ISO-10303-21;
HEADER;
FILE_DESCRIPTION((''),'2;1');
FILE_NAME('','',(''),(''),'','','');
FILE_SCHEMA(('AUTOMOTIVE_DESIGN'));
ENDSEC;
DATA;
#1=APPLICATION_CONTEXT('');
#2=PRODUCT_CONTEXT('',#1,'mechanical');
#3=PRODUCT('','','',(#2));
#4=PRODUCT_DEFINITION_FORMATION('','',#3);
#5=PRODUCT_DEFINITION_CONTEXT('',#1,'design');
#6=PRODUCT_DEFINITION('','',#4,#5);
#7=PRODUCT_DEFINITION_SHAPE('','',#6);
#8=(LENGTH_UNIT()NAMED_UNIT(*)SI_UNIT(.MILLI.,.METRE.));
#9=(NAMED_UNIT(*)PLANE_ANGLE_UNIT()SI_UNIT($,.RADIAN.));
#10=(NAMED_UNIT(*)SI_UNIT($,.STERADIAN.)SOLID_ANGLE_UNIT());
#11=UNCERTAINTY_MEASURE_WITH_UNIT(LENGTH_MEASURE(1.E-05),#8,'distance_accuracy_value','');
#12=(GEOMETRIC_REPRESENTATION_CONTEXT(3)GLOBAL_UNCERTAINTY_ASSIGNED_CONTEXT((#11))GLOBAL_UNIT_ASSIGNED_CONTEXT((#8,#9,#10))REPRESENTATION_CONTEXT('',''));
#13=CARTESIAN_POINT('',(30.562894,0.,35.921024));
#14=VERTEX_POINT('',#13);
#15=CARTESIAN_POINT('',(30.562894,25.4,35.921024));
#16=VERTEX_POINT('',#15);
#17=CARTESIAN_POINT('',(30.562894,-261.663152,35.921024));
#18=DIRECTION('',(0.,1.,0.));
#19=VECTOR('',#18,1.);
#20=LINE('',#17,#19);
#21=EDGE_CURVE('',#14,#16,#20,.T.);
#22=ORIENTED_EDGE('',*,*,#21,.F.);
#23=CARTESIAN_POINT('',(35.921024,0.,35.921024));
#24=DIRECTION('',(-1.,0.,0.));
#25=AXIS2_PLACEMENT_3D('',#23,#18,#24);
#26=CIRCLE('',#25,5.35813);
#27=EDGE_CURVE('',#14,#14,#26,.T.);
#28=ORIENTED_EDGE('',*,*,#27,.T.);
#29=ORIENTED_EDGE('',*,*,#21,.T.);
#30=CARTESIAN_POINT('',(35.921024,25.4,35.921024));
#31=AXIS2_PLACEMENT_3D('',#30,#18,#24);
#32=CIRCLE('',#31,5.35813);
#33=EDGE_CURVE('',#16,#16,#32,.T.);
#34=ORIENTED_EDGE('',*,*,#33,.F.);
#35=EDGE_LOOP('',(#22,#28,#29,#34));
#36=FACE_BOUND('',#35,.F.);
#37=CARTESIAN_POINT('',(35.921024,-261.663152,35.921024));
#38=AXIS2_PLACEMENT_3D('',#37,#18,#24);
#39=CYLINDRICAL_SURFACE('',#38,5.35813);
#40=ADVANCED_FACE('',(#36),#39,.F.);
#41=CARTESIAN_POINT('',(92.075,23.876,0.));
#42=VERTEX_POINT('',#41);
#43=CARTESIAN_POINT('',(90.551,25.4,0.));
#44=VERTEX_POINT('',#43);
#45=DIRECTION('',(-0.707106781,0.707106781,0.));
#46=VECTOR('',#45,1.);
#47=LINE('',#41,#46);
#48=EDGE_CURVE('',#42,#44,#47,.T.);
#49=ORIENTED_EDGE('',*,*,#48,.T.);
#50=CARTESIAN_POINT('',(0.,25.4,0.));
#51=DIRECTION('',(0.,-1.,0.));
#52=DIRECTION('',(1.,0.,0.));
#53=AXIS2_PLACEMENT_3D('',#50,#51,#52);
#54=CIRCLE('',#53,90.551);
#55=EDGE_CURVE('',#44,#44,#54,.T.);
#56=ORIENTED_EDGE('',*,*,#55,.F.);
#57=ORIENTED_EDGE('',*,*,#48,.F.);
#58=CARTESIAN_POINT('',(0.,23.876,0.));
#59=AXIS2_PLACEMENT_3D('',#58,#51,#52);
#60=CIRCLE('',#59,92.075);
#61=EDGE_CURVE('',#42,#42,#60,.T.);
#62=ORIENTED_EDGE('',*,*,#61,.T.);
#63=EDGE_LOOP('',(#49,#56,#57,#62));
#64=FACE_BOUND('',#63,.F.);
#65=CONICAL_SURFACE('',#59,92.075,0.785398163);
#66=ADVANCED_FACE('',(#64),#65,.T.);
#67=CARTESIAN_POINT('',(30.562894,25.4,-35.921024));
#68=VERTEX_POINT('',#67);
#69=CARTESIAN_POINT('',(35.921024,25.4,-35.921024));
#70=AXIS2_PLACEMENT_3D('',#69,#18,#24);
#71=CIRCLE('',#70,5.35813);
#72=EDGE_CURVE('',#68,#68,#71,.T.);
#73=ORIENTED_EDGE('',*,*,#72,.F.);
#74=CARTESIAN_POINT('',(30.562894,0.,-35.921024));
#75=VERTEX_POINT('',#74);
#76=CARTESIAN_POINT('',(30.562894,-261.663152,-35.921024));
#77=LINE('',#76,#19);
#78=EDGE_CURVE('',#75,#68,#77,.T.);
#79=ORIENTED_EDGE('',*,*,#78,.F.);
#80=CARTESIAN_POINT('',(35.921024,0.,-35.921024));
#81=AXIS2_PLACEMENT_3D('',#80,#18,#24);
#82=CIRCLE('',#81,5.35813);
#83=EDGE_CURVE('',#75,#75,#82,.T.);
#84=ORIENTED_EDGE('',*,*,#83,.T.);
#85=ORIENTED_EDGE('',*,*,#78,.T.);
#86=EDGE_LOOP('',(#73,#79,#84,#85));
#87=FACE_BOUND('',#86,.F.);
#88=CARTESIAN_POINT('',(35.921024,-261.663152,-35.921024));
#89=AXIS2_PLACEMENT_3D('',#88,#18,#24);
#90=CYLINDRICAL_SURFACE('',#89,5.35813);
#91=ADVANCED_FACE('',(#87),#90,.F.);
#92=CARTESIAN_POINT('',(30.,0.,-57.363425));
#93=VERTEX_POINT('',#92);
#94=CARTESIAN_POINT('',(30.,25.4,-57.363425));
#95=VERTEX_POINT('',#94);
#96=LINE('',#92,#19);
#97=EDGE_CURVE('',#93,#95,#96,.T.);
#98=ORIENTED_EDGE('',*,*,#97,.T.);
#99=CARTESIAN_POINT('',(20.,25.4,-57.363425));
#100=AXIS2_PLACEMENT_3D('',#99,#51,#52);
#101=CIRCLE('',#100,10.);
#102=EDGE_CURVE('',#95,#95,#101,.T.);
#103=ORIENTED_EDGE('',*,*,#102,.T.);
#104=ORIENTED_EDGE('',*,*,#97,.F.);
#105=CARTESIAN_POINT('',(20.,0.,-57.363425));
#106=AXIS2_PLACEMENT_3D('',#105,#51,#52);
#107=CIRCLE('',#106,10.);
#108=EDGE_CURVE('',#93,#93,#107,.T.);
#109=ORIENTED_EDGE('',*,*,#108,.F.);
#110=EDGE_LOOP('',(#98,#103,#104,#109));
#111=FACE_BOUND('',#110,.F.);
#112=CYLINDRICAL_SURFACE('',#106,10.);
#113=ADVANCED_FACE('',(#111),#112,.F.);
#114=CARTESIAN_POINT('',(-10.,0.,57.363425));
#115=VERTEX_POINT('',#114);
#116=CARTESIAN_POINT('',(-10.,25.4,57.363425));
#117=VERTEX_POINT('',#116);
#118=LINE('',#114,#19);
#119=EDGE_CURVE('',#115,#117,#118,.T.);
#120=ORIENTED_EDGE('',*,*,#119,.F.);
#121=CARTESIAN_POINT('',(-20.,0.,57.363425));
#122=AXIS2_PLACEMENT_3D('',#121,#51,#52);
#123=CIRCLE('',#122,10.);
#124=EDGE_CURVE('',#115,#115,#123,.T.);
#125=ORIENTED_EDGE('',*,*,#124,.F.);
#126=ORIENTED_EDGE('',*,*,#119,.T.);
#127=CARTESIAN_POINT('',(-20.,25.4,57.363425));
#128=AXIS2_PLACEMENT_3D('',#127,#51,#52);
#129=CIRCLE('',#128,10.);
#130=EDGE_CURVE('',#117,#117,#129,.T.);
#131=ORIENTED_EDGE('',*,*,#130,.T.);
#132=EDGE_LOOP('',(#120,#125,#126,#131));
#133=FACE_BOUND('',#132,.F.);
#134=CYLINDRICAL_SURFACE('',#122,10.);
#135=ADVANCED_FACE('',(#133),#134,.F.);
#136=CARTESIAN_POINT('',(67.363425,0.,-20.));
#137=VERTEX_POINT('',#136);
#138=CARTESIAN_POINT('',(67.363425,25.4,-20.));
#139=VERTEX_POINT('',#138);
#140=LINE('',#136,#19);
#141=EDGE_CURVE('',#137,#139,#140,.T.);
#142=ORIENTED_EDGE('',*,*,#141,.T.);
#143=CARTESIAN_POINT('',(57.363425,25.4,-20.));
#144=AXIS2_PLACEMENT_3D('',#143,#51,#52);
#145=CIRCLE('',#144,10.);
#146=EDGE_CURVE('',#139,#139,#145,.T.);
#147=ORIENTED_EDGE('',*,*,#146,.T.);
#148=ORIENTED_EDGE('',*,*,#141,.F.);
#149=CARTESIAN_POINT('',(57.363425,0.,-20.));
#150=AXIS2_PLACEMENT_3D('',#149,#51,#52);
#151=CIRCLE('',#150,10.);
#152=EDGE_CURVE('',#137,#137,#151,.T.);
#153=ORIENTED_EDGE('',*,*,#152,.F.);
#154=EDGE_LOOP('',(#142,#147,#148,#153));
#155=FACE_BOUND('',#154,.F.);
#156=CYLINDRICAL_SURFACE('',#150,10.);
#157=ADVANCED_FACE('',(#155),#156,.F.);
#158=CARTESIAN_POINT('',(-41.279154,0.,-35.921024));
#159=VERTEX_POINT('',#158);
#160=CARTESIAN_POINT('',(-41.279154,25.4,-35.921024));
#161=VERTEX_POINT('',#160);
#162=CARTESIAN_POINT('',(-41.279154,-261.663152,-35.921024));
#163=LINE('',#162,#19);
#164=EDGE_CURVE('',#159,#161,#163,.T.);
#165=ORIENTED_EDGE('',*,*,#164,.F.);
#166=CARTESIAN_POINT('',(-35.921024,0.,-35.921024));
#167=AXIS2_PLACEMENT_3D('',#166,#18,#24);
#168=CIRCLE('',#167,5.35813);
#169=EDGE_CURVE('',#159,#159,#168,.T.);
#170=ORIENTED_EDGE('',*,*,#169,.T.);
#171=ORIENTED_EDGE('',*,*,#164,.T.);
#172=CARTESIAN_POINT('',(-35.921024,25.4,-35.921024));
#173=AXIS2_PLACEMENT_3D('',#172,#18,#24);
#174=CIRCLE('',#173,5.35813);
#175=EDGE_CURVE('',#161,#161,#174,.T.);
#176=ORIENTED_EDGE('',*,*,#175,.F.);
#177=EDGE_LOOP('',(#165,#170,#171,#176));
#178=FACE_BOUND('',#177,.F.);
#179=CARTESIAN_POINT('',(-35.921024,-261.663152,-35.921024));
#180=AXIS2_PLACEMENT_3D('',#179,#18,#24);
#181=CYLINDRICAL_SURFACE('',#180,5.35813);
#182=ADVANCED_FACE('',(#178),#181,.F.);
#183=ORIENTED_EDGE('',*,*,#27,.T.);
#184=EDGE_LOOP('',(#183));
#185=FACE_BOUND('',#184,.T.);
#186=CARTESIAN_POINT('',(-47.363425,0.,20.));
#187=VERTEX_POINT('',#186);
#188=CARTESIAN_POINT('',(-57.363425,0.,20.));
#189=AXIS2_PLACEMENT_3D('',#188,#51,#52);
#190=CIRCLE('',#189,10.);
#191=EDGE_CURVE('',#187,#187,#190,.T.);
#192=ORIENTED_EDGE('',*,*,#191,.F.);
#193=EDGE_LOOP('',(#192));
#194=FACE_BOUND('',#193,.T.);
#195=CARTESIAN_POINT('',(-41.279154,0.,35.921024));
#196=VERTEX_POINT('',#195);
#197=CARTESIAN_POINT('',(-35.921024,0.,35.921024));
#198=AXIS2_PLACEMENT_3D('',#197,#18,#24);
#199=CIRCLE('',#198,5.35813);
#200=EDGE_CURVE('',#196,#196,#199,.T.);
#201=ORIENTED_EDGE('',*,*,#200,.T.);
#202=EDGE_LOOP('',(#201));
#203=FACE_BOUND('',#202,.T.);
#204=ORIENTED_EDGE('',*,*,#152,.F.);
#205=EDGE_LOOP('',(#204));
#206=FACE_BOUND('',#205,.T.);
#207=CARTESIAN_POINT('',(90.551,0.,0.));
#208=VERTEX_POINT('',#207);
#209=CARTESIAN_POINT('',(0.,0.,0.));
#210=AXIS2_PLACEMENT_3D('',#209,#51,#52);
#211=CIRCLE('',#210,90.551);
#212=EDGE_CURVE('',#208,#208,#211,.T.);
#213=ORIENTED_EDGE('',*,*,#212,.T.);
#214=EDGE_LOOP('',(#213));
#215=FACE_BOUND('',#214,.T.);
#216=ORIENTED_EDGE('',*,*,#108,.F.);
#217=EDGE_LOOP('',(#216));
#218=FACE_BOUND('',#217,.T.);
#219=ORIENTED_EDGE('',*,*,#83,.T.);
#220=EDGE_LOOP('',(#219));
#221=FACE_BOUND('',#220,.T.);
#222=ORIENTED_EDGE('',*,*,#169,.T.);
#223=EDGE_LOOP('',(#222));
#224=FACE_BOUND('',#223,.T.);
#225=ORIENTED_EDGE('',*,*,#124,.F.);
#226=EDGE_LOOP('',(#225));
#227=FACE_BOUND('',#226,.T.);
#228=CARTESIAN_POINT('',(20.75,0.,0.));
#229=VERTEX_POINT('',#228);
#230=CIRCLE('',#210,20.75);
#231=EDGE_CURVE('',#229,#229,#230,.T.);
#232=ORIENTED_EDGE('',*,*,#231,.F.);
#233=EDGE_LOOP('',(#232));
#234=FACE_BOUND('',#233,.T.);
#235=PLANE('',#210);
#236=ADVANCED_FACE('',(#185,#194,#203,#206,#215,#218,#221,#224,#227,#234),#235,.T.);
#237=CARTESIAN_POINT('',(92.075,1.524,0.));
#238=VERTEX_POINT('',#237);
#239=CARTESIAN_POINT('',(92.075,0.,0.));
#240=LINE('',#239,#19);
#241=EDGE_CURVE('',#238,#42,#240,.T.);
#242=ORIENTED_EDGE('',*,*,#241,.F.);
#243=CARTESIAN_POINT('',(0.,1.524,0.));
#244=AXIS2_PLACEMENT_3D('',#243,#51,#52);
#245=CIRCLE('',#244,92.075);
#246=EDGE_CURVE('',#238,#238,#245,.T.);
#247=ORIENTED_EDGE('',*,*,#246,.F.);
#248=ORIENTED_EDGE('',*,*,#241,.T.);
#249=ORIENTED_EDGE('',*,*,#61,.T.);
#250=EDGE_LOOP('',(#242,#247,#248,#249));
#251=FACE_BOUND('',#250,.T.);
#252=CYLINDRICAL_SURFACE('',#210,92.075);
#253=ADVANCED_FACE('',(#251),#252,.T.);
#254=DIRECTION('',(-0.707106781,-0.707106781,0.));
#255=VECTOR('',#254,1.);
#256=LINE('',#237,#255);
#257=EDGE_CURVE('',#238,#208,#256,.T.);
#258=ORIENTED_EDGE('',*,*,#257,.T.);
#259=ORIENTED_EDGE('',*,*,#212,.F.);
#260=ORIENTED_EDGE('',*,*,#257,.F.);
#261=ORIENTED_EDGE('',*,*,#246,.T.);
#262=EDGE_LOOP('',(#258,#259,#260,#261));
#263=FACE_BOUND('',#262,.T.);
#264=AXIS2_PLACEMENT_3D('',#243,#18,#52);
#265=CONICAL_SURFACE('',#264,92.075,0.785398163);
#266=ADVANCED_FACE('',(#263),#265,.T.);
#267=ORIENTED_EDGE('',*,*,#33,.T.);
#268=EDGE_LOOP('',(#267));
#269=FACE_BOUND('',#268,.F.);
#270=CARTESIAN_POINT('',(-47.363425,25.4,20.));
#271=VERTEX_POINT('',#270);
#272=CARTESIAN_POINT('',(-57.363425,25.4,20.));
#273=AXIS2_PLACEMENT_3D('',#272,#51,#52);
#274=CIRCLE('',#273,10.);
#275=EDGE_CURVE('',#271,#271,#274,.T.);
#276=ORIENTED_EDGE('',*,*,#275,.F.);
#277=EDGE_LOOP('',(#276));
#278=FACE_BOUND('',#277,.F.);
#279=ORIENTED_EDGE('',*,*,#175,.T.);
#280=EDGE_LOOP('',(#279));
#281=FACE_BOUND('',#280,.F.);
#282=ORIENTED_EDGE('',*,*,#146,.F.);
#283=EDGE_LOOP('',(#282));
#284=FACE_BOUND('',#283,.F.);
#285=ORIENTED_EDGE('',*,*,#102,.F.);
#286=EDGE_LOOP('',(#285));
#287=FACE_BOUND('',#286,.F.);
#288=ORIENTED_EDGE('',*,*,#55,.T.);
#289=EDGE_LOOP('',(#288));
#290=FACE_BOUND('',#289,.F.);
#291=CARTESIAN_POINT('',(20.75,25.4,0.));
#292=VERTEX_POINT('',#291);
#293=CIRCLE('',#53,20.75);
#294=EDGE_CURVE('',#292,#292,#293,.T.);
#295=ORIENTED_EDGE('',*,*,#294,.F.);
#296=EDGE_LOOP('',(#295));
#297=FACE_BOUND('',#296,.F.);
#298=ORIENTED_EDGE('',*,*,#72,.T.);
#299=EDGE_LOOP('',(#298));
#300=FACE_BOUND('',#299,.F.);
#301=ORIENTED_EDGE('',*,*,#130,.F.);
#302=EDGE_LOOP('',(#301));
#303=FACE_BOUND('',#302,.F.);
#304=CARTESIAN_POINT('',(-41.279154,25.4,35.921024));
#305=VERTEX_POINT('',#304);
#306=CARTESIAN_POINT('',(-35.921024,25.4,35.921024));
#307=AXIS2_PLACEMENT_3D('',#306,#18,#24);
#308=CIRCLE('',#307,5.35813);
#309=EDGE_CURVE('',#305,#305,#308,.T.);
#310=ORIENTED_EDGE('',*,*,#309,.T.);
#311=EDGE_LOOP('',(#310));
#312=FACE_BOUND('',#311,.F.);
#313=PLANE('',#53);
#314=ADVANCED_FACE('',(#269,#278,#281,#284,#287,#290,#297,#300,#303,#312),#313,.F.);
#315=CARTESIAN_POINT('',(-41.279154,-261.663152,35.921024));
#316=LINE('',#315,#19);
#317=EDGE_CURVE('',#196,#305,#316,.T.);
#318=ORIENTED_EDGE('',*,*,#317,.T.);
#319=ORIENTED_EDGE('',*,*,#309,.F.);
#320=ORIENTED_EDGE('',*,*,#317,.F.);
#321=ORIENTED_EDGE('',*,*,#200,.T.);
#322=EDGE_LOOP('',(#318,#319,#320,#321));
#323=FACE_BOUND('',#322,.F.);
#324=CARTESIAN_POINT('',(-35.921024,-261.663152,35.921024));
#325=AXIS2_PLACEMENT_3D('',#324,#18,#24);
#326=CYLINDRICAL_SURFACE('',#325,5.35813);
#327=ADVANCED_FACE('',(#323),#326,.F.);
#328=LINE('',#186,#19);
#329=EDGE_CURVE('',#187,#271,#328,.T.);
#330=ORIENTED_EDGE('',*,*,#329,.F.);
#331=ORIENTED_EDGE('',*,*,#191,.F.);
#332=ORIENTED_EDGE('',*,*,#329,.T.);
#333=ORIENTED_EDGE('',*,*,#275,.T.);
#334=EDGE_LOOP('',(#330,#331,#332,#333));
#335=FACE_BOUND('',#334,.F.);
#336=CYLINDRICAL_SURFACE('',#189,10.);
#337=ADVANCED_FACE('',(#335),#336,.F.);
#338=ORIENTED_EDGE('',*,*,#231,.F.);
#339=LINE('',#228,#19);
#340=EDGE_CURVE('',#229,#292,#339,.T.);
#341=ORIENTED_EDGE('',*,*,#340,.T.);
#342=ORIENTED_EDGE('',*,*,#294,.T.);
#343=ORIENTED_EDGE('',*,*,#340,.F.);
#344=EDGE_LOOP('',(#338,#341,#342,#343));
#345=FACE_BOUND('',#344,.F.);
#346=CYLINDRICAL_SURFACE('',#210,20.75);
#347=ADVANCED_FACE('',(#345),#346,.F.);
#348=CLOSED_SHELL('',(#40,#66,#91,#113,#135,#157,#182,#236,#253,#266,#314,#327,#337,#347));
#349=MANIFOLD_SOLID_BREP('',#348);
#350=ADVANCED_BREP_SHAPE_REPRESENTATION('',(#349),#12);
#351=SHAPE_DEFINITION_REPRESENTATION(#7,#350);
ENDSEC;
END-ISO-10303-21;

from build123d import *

# Parameters (mm, degrees)
F0_R     = 92.075
F0_R_2   = 20.75
F1_DEPTH = 25.4
F2_R     = 10
F3_DEPTH = 25.4
F5_D     = 10.71626
F6_SIZE  = 1.524


with BuildPart() as f1:
    # F0 (on Front) → F1 (new body)
    with BuildSketch(Plane.XZ):
        Circle(F0_R)
        Circle(F0_R_2, mode=Mode.SUBTRACT)
    extrude(amount=-F1_DEPTH)

    # F2 (on face) → F3 (cut)
    with BuildSketch(Plane.XZ):
        with Locations((-57.3634247583, 20)):
            Circle(F2_R)
        with Locations((-20, 57.3634247583)):
            Circle(F2_R)
        with Locations((57.3634247583, -20)):
            Circle(F2_R)
        with Locations((20, -57.3634247583)):
            Circle(F2_R)
    extrude(amount=-F3_DEPTH, mode=Mode.SUBTRACT)

    # F5 (through all)
    with Locations(Plane.XZ):
        with Locations((-35.9210244843, 35.9210244843), (35.9210244843, 35.9210244843), (35.9210244843, -35.9210244843), (-35.9210244843, -35.9210244843)):
            Hole(F5_D / 2)

    # F6
    f6_edges = [f1.edges().sort_by_distance(p)[0] for p in [
        (92.075, 12.7, 0),
        (-92.075, 0, 0),
        (-92.075, 25.4, 0),
    ]]
    chamfer(f6_edges, length=F6_SIZE)


solid = f1.part
